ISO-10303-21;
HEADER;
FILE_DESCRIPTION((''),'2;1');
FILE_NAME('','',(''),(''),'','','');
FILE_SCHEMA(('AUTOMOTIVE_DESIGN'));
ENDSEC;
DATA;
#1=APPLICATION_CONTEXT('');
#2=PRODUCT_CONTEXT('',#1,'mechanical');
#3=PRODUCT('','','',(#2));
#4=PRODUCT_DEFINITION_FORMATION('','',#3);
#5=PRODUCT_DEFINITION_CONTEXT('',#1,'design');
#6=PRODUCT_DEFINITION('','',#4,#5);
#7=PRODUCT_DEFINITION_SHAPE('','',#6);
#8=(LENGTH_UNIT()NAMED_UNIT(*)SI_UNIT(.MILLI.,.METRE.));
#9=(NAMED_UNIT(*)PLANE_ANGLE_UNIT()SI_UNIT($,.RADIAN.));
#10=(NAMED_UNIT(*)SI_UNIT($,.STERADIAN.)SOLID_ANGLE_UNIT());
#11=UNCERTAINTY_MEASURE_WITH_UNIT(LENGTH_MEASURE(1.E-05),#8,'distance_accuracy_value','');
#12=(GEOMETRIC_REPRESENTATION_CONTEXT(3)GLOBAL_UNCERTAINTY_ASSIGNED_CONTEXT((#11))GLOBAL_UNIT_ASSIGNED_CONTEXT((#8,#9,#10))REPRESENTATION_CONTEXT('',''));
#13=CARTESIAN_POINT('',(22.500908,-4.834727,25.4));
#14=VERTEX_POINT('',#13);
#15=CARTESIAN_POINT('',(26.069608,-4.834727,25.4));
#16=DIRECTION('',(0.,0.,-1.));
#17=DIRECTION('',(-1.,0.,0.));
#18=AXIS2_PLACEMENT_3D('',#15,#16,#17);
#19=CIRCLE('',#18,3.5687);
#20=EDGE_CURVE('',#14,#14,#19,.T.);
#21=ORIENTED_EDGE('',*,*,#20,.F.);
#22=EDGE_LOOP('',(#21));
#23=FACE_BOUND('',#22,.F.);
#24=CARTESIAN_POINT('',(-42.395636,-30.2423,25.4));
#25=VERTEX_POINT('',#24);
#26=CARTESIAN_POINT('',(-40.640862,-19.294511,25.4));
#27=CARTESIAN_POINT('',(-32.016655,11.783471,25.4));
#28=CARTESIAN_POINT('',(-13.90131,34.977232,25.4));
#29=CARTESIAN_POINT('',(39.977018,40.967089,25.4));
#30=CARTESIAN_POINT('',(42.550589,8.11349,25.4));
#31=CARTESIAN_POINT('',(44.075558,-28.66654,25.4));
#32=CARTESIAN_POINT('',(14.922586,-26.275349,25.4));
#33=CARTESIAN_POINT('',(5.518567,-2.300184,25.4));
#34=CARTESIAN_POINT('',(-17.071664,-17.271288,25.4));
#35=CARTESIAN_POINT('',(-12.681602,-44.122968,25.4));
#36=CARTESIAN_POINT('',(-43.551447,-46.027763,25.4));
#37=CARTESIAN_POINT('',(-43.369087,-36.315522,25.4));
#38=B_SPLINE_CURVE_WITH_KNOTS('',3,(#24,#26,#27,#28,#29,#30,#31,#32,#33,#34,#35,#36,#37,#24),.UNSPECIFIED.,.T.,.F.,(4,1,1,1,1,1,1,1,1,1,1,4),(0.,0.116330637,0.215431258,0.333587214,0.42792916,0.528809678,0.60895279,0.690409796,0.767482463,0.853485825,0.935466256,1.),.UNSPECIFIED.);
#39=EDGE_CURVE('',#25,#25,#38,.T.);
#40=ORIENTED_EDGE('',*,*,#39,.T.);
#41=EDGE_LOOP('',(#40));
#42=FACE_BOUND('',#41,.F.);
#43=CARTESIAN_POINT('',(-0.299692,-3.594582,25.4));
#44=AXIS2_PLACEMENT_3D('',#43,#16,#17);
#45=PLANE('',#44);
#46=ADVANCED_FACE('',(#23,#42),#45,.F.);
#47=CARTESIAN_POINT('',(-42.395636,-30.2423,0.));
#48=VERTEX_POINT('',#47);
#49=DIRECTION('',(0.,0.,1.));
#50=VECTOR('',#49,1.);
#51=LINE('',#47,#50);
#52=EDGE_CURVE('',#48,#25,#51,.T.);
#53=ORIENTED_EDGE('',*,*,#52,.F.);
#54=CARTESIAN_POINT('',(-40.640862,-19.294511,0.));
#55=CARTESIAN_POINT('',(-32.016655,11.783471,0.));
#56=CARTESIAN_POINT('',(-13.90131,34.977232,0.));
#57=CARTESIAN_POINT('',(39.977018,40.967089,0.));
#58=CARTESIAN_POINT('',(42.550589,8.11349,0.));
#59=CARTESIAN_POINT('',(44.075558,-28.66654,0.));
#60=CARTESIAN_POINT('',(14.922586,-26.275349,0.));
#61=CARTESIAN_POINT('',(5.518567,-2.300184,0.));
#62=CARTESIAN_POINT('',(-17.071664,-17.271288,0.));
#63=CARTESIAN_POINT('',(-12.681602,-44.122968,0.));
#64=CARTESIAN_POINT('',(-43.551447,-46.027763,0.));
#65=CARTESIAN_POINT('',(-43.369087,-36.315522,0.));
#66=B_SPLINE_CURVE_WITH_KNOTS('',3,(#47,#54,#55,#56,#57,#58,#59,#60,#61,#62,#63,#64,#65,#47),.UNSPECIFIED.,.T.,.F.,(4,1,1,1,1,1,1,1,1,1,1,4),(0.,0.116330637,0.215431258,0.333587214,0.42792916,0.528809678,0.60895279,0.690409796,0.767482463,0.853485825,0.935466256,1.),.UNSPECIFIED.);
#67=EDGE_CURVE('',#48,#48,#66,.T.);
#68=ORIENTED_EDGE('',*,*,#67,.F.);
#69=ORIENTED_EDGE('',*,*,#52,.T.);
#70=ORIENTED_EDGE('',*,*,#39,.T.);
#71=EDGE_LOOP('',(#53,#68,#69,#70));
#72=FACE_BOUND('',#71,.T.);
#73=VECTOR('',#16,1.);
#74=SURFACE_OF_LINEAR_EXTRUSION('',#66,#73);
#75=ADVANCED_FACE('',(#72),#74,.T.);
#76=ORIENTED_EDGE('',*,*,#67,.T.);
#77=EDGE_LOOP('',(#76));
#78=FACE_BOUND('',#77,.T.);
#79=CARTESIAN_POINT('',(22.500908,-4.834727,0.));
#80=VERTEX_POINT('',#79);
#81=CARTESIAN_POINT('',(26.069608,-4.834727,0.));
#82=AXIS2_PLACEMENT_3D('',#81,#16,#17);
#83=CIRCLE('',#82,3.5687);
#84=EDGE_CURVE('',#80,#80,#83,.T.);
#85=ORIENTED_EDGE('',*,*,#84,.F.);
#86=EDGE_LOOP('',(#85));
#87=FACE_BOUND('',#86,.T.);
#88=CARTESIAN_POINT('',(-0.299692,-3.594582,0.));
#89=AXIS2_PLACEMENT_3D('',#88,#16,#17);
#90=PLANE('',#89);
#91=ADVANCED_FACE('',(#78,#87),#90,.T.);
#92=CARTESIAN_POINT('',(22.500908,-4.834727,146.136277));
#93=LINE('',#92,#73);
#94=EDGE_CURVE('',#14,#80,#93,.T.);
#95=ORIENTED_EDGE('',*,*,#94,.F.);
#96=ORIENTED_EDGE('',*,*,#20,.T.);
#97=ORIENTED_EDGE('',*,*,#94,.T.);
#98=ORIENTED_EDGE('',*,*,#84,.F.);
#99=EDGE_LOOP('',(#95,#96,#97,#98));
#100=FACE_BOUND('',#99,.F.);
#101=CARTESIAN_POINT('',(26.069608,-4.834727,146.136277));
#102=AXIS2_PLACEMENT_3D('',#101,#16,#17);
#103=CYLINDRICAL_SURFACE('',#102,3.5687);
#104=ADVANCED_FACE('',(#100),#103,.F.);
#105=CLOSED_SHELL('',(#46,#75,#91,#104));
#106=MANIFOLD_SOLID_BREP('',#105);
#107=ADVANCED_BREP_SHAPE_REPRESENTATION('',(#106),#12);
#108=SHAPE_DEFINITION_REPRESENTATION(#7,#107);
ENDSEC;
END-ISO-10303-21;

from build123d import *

# Parameters (mm, degrees)
F1_DEPTH = 25.4
F3_D     = 7.1374


with BuildPart() as f1:
    # F0 (on Top) → F1 (new body)
    with BuildSketch(Plane.XY):
        with BuildLine():
            add(Edge.make_bspline(
                [(-42.3956364393, -30.242299661), (-40.64086189, -19.2945110285), (-32.0166547854, 11.7834708258), (-13.9013101535, 34.9772320728), (39.9770178927, 40.967089314), (42.5505887471, 8.1134903983), (44.0755584278, -28.6665401407), (14.9225861746, -26.2753491243), (5.5185670036, -2.3001841673), (-17.0716638371, -17.2712878151), (-12.6816024674, -44.1229681057), (-43.551447393, -46.0277627868), (-43.3690874153, -36.3155217358), (-42.3956364393, -30.242299661)],
                knots=[0, 0, 0, 0, 0.1163306366, 0.2154312576, 0.3335872136, 0.4279291603, 0.5288096779, 0.6089527905, 0.6904097964, 0.7674824633, 0.8534858253, 0.9354662559, 1, 1, 1, 1], degree=3))
        make_face()
    extrude(amount=F1_DEPTH)

    # F3 (through all)
    with Locations(Plane.XY.offset(25.4)):
        with Locations((26.0696075857, -4.8347273842)):
            Hole(F3_D / 2)


solid = f1.part
